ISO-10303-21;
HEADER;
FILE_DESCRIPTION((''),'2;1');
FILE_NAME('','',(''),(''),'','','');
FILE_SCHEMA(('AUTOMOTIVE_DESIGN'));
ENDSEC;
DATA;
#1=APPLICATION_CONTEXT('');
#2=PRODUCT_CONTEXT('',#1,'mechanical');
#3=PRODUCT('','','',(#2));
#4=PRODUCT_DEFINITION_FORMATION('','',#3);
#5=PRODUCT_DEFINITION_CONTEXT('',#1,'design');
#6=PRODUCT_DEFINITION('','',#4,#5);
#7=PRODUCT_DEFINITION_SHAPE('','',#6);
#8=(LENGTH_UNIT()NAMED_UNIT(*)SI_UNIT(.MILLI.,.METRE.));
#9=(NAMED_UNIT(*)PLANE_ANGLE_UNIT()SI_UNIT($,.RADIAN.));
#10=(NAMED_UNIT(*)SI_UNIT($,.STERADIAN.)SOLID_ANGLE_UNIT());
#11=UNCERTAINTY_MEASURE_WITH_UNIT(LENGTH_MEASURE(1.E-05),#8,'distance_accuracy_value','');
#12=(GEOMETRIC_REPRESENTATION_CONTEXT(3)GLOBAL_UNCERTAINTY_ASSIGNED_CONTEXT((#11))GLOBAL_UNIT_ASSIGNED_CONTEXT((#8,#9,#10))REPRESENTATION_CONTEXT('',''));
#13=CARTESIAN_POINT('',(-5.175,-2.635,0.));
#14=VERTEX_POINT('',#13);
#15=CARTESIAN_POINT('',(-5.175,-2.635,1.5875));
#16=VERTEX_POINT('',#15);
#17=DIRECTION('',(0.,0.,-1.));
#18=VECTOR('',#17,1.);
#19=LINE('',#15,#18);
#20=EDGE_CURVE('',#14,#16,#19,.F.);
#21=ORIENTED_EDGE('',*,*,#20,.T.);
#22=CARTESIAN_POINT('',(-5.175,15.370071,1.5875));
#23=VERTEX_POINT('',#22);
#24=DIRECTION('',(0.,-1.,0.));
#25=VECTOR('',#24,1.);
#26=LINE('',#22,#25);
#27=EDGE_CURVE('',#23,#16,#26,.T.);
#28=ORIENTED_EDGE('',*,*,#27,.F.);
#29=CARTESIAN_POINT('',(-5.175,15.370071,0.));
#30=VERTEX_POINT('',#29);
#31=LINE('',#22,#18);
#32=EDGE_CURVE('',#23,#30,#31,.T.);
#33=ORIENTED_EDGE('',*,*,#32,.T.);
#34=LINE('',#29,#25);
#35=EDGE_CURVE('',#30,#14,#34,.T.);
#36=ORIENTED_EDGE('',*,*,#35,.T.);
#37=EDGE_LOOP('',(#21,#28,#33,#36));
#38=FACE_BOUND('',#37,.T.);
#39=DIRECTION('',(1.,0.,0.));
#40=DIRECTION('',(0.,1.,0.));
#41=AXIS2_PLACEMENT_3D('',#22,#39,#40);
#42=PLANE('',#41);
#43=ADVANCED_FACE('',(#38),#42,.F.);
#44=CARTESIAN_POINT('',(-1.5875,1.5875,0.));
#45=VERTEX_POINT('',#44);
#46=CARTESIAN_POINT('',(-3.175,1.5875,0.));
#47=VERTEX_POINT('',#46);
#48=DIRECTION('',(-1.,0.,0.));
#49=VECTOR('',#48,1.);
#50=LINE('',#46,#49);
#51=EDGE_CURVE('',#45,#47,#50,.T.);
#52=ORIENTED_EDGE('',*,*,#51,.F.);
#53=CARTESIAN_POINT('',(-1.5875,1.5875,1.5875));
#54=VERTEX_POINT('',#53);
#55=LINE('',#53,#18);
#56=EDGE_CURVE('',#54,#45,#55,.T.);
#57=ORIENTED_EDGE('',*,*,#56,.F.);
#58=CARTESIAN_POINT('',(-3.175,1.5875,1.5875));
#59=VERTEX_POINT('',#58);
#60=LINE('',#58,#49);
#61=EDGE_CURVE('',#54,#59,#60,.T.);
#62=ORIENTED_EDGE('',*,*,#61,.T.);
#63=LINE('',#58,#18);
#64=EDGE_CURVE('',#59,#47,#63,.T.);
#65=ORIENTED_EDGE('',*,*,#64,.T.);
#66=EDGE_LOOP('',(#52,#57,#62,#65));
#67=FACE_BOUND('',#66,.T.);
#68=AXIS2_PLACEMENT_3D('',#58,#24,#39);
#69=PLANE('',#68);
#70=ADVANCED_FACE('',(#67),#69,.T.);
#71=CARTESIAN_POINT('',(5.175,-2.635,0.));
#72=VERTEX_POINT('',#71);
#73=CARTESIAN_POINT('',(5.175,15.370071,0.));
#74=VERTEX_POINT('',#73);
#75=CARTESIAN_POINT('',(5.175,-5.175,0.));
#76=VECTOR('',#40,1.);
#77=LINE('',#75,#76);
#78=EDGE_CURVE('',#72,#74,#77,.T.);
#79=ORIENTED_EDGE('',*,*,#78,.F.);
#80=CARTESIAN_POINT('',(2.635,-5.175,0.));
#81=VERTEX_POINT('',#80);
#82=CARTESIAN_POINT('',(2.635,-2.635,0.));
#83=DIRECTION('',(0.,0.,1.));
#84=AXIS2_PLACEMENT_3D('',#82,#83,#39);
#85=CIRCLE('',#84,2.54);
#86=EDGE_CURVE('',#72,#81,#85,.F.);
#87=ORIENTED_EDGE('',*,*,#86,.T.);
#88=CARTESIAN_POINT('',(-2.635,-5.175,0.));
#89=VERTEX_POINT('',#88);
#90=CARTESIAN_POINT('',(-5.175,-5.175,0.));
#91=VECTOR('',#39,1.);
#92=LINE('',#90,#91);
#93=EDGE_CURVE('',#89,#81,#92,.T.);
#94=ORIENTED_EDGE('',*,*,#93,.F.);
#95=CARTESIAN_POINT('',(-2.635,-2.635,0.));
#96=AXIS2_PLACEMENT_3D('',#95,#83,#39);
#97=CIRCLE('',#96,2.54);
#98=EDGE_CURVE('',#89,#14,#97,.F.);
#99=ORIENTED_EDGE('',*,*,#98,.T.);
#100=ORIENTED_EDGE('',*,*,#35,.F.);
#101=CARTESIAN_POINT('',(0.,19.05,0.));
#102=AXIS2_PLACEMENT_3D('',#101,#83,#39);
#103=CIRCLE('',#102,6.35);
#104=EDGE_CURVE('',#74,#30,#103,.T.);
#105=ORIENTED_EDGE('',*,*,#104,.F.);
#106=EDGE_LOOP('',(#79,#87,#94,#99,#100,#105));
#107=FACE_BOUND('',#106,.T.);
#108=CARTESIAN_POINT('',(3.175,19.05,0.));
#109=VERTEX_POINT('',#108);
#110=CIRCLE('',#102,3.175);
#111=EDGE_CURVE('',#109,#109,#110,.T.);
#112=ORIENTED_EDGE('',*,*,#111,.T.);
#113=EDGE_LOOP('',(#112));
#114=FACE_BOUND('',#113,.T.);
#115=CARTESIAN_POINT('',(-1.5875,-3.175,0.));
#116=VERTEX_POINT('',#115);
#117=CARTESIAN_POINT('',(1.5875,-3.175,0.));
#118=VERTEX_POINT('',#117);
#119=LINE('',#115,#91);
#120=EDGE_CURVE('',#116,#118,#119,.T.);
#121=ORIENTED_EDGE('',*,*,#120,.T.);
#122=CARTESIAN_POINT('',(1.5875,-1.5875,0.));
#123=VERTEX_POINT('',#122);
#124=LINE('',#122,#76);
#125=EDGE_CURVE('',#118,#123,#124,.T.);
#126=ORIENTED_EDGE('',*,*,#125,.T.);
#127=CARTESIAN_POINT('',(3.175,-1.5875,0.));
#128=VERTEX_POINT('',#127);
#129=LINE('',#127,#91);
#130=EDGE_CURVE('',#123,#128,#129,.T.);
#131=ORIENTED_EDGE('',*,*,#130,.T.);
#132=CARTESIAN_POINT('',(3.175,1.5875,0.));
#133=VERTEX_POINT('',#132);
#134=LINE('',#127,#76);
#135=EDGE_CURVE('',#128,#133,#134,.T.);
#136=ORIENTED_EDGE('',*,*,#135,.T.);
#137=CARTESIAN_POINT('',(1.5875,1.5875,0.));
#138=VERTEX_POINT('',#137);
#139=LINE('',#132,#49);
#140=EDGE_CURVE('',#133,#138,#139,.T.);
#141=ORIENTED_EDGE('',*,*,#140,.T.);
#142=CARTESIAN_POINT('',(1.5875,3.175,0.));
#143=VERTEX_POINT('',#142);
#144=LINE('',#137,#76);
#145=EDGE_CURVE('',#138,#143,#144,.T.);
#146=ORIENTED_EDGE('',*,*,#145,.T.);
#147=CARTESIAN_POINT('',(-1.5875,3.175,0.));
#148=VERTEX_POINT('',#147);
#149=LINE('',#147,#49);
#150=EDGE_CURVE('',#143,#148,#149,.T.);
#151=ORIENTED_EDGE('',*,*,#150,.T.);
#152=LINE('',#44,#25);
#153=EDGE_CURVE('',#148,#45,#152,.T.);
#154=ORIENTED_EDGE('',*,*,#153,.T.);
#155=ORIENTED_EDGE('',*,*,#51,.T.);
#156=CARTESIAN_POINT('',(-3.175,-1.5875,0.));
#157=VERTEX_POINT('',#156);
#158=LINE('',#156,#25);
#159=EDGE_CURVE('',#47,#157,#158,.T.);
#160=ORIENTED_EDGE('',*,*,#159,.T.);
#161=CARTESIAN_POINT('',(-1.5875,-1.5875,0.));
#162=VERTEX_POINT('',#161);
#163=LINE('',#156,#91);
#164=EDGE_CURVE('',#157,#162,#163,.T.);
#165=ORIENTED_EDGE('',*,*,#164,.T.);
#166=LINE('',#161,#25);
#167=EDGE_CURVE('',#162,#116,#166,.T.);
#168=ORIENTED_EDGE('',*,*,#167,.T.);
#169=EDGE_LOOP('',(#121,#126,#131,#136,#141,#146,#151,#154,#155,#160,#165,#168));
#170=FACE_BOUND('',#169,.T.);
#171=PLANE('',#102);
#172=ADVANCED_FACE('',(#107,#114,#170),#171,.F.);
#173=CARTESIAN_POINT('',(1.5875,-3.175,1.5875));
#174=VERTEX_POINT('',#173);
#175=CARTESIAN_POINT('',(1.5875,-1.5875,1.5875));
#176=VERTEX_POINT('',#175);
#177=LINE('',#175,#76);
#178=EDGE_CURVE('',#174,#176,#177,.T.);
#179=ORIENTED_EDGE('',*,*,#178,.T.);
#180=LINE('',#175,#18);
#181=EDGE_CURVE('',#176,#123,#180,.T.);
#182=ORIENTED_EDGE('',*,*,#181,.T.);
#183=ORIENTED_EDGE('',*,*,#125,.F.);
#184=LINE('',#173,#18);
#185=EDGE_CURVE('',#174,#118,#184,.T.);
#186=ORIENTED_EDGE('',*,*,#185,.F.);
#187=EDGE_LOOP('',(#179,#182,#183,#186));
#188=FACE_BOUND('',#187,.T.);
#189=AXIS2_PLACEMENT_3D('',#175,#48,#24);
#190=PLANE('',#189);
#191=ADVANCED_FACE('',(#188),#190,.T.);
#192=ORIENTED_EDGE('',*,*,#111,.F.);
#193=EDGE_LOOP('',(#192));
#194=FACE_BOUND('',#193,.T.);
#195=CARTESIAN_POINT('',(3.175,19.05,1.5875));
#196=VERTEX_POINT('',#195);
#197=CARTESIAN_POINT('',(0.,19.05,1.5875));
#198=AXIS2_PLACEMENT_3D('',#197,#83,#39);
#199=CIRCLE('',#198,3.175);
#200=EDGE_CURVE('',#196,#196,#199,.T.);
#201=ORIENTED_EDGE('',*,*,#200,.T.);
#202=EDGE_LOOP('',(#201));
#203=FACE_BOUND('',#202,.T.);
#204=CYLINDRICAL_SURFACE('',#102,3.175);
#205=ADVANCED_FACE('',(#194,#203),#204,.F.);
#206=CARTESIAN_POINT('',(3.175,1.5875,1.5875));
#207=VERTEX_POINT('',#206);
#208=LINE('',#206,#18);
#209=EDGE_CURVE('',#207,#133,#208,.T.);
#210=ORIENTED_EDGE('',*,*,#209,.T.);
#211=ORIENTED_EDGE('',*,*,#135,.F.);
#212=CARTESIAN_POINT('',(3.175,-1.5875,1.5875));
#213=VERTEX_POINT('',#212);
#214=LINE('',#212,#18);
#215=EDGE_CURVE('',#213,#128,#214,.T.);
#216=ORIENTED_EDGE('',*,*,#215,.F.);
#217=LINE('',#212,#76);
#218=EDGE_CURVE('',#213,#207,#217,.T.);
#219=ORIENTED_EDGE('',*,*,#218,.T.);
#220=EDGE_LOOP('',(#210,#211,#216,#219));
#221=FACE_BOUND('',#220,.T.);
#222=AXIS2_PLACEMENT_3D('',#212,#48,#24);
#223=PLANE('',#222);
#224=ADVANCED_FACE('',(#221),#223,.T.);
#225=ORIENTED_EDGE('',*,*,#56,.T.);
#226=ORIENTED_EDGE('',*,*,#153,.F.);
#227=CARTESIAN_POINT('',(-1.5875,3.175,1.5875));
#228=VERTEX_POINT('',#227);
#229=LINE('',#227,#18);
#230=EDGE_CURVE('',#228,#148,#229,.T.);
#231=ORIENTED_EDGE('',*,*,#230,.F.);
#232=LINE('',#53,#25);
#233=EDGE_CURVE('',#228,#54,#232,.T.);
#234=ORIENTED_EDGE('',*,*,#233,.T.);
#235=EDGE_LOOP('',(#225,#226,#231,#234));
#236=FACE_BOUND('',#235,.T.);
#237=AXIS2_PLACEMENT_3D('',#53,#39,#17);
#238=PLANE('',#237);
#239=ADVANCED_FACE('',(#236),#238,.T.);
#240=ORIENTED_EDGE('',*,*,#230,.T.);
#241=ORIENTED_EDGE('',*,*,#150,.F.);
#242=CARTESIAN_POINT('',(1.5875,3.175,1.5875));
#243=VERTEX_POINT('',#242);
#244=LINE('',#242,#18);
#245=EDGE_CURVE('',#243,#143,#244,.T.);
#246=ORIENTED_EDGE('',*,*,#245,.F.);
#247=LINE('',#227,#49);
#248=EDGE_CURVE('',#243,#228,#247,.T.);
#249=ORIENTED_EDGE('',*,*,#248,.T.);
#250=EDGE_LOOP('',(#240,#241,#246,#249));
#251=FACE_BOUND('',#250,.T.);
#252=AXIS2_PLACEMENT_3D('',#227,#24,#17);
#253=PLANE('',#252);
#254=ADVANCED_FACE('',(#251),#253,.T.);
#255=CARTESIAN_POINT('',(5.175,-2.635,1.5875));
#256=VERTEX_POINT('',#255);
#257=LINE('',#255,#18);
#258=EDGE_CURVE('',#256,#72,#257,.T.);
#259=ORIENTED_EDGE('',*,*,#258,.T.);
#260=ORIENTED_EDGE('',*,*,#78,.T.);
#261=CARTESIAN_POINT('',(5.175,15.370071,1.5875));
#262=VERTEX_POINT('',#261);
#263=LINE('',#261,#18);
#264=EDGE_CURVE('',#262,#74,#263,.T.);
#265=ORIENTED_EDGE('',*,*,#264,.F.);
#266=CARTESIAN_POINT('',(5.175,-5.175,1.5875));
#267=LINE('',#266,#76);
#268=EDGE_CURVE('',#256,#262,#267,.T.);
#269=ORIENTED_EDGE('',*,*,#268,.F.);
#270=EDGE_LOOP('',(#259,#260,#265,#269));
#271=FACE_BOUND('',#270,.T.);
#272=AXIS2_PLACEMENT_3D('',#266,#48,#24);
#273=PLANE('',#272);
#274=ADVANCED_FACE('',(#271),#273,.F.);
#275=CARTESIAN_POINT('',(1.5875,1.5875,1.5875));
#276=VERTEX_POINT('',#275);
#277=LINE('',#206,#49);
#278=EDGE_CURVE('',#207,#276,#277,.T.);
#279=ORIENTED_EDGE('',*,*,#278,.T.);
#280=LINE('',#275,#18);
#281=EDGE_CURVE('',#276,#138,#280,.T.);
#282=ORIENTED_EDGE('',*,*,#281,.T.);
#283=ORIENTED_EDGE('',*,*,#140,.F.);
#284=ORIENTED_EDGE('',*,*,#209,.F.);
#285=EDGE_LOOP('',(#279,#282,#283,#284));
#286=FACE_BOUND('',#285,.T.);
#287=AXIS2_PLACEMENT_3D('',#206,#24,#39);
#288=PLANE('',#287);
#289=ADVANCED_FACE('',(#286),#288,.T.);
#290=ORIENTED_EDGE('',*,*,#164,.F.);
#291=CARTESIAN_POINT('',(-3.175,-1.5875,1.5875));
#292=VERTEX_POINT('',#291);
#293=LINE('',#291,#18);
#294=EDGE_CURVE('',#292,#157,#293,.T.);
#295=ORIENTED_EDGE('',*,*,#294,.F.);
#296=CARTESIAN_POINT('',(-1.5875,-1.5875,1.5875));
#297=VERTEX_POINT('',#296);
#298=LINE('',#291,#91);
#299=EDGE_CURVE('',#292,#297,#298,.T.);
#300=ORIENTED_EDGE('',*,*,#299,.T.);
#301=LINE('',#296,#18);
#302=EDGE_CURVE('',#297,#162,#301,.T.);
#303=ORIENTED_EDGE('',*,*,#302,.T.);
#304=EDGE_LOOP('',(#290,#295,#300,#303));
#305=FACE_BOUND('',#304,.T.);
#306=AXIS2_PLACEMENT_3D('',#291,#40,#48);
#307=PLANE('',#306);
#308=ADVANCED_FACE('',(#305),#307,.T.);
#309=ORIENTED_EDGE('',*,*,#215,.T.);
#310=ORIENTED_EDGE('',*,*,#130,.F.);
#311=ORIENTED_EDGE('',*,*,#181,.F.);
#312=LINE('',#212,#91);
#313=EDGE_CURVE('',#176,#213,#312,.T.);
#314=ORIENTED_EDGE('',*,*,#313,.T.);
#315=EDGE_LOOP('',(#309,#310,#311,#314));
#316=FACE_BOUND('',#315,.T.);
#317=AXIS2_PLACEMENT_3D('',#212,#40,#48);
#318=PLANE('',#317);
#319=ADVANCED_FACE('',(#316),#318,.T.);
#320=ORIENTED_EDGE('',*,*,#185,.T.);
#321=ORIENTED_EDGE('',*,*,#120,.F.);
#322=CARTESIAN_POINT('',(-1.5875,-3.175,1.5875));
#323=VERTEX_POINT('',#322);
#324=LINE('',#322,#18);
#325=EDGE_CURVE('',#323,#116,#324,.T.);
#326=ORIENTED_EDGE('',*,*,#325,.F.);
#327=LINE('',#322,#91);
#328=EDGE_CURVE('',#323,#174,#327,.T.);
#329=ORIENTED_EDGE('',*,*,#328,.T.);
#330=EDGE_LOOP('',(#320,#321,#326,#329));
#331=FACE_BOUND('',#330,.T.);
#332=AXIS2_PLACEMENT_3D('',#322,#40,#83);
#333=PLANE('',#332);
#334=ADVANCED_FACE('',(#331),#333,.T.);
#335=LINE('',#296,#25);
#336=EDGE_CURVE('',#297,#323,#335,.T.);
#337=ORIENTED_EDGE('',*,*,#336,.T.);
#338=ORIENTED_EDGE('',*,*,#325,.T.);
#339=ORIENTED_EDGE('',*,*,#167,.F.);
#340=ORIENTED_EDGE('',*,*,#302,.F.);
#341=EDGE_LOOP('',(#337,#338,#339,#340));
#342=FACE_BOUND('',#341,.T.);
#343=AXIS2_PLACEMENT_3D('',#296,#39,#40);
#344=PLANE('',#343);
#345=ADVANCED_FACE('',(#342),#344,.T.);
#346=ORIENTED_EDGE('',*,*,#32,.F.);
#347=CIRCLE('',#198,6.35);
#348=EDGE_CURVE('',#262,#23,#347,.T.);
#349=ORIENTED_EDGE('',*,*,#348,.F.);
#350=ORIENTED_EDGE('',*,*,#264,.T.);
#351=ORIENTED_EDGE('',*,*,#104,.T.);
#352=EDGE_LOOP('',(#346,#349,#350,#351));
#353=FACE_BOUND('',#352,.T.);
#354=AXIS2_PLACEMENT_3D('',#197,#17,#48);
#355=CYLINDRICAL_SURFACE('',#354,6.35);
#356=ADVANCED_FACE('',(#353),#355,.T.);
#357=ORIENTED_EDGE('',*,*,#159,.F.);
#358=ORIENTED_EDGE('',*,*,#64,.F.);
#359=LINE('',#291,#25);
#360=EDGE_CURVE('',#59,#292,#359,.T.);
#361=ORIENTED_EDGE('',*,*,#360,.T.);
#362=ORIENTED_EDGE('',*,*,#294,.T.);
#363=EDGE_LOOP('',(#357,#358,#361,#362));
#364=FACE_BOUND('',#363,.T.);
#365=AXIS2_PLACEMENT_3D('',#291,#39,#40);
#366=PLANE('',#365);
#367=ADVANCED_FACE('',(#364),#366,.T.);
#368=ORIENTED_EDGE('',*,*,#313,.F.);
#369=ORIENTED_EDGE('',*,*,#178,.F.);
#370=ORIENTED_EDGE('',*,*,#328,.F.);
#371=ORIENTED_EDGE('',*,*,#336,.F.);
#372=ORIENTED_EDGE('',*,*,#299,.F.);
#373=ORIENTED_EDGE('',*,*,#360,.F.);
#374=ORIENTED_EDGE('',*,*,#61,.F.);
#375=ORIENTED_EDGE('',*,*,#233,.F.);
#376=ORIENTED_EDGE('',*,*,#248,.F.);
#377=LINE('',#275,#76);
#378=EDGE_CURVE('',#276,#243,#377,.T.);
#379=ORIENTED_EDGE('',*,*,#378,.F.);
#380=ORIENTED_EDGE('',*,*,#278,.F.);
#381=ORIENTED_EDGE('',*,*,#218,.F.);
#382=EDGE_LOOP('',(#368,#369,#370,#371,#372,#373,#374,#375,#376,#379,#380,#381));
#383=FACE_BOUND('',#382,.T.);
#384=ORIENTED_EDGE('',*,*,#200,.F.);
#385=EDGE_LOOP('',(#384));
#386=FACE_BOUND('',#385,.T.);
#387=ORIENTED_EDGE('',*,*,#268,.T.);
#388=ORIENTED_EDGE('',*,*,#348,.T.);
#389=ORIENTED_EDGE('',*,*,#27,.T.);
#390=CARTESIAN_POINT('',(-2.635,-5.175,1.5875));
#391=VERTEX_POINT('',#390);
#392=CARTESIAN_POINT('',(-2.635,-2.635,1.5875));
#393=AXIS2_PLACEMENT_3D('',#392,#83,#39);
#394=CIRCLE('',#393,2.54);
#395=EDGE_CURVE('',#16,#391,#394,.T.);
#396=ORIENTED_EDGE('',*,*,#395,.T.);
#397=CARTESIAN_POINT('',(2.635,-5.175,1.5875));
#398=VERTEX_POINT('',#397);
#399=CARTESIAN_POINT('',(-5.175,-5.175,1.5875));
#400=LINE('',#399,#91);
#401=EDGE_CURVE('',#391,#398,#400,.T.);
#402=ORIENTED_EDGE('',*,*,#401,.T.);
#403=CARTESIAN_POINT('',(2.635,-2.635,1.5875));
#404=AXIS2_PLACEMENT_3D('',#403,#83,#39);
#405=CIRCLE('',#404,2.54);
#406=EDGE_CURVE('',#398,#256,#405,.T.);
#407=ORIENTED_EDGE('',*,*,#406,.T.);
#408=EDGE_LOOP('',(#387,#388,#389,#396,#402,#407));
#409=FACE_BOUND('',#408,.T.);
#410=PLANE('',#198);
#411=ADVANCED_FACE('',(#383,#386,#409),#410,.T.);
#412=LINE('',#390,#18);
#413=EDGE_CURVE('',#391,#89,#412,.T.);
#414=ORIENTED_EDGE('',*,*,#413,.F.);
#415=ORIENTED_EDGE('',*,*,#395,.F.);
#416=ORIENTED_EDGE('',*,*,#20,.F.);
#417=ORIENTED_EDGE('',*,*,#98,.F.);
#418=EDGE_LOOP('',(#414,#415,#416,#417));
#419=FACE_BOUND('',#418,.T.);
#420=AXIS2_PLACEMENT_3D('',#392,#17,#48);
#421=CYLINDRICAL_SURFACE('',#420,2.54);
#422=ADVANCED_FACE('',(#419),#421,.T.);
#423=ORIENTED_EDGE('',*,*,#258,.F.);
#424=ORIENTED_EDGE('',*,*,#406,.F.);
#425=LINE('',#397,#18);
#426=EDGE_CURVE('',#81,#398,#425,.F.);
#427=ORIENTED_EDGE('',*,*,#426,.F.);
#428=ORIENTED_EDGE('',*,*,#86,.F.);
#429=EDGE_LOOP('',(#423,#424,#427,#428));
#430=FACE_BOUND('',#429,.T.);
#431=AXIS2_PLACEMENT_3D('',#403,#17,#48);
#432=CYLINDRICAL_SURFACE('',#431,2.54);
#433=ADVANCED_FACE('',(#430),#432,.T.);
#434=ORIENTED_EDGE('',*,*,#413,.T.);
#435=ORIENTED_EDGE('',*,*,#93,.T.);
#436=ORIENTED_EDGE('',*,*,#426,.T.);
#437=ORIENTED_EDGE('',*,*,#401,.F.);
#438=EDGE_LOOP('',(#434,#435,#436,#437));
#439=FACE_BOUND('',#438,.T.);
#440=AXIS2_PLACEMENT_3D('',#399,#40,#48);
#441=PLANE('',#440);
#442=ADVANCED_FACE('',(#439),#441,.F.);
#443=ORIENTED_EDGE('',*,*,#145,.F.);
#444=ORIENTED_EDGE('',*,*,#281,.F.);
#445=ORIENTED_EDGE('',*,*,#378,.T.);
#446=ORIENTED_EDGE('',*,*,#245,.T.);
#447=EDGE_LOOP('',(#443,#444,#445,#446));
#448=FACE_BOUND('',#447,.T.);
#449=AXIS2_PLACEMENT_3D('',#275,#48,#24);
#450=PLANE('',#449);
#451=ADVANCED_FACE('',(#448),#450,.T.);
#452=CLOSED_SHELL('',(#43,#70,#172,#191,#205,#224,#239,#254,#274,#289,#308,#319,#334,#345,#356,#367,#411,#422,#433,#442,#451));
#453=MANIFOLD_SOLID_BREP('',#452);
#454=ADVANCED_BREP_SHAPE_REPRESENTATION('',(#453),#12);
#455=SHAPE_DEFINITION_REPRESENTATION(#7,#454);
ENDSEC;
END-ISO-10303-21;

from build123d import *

# Parameters (mm, degrees)
BOSS_EXTRUDE1_DEPTH = 1.5875
FILLET1_R           = 2.54
SKETCH2_R           = 3.175
CUT_EXTRUDE1_DEPTH  = 27.229804731


with BuildPart() as part:
    # Sketch1 → Boss-Extrude1 (new body)
    with BuildSketch(Plane.XY):
        with BuildLine():
            Line((-5.175, 15.370071332), (-5.175, -5.175))
            Line((-5.175, -5.175), (5.175, -5.175))
            Line((5.175, -5.175), (5.175, 15.370071332))
            ThreePointArc((5.175, 15.370071332), (0, 25.4), (-5.175, 15.370071332))
        make_face()
        Polygon((-3.175, -1.5875), (-3.175, 1.5875), (-1.5875, 1.5875), (-1.5875, 3.175), (1.5875, 3.175), (1.5875, 1.5875), (3.175, 1.5875), (3.175, -1.5875), (1.5875, -1.5875), (1.5875, -3.175), (-1.5875, -3.175), (-1.5875, -1.5875), align=None, mode=Mode.SUBTRACT)
    extrude(amount=BOSS_EXTRUDE1_DEPTH)

    # Fillet1
    fillet1_edges = [part.edges().sort_by_distance(p)[0] for p in [
        (5.175, -5.175, 0.79375),
        (-5.175, -5.175, 0.79375),
    ]]
    fillet(fillet1_edges, radius=FILLET1_R)

    # Sketch2 → Cut-Extrude1 (cut, through all)
    with BuildSketch(Plane.XY.offset(1.5875)):
        with Locations((0, 19.05)):
            Circle(SKETCH2_R)
    extrude(amount=-CUT_EXTRUDE1_DEPTH, mode=Mode.SUBTRACT)


solid = part.part
